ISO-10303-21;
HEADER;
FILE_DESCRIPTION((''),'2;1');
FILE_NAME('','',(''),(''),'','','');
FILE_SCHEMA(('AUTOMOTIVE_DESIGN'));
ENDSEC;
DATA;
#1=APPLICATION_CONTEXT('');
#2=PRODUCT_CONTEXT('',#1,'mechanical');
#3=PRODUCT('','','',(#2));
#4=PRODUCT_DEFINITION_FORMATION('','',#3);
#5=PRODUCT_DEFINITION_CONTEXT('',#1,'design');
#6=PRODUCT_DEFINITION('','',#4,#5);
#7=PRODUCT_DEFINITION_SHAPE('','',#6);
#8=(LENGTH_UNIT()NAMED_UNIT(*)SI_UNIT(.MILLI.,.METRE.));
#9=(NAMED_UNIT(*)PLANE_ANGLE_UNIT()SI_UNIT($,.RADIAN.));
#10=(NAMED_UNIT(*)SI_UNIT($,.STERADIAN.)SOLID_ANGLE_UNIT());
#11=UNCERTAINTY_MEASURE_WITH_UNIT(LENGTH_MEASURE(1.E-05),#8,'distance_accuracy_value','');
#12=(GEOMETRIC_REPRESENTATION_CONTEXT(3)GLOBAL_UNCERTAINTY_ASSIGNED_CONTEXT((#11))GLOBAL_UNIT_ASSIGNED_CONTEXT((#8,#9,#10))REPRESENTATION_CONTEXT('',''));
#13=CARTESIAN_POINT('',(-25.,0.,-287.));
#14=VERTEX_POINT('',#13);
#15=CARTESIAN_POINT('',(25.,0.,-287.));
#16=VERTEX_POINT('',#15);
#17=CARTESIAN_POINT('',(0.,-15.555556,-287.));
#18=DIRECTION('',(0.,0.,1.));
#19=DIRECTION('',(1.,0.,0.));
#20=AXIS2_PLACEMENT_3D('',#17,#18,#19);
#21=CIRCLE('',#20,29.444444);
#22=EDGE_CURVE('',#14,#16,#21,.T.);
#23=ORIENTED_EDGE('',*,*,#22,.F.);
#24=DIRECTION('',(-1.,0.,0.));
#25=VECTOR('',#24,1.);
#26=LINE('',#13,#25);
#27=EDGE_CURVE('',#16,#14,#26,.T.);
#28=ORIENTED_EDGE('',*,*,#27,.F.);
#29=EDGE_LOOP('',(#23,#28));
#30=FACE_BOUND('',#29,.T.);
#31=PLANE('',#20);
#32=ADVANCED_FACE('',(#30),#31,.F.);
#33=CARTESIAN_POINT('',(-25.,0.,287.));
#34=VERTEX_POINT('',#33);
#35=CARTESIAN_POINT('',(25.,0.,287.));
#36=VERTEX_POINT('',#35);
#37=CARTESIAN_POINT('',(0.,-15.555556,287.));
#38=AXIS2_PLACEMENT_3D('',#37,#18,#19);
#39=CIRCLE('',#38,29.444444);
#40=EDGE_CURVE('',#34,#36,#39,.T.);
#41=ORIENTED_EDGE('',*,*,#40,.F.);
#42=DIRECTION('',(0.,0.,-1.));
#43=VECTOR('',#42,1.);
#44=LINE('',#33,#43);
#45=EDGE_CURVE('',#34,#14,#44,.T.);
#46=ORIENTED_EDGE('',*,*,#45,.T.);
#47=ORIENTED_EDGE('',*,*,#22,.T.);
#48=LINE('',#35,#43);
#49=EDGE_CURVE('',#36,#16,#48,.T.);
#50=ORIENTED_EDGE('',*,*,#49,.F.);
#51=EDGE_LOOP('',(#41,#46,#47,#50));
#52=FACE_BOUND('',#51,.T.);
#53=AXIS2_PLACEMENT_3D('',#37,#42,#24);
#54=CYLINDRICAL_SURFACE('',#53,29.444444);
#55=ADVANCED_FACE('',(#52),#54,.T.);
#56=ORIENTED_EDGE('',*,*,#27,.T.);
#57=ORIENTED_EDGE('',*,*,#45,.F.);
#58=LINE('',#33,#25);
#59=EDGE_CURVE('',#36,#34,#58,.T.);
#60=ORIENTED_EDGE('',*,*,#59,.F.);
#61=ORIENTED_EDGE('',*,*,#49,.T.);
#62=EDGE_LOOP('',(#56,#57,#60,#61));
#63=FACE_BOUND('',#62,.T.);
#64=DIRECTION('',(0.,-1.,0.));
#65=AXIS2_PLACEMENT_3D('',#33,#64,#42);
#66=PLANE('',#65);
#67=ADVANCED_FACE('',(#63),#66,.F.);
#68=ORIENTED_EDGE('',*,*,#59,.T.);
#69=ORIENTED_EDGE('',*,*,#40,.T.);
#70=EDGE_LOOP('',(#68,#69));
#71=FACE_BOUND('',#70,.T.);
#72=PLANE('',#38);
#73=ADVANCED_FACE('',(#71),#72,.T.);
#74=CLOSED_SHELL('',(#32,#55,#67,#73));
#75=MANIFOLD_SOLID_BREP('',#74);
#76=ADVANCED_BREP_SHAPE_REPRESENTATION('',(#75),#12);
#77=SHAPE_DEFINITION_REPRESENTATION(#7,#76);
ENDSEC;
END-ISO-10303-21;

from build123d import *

# Parameters (mm, degrees)
BOSS_EXTRUDE1_DEPTH = 287


with BuildPart() as part:
    # Sketch1 → Boss-Extrude1 (new body, symmetric)
    with BuildSketch(Plane.XY):
        with BuildLine():
            Line((-25, 0), (25, 0))
            ThreePointArc((25, 0), (0, -45), (-25, 0))
        make_face()
    extrude(amount=BOSS_EXTRUDE1_DEPTH, both=True)


solid = part.part
